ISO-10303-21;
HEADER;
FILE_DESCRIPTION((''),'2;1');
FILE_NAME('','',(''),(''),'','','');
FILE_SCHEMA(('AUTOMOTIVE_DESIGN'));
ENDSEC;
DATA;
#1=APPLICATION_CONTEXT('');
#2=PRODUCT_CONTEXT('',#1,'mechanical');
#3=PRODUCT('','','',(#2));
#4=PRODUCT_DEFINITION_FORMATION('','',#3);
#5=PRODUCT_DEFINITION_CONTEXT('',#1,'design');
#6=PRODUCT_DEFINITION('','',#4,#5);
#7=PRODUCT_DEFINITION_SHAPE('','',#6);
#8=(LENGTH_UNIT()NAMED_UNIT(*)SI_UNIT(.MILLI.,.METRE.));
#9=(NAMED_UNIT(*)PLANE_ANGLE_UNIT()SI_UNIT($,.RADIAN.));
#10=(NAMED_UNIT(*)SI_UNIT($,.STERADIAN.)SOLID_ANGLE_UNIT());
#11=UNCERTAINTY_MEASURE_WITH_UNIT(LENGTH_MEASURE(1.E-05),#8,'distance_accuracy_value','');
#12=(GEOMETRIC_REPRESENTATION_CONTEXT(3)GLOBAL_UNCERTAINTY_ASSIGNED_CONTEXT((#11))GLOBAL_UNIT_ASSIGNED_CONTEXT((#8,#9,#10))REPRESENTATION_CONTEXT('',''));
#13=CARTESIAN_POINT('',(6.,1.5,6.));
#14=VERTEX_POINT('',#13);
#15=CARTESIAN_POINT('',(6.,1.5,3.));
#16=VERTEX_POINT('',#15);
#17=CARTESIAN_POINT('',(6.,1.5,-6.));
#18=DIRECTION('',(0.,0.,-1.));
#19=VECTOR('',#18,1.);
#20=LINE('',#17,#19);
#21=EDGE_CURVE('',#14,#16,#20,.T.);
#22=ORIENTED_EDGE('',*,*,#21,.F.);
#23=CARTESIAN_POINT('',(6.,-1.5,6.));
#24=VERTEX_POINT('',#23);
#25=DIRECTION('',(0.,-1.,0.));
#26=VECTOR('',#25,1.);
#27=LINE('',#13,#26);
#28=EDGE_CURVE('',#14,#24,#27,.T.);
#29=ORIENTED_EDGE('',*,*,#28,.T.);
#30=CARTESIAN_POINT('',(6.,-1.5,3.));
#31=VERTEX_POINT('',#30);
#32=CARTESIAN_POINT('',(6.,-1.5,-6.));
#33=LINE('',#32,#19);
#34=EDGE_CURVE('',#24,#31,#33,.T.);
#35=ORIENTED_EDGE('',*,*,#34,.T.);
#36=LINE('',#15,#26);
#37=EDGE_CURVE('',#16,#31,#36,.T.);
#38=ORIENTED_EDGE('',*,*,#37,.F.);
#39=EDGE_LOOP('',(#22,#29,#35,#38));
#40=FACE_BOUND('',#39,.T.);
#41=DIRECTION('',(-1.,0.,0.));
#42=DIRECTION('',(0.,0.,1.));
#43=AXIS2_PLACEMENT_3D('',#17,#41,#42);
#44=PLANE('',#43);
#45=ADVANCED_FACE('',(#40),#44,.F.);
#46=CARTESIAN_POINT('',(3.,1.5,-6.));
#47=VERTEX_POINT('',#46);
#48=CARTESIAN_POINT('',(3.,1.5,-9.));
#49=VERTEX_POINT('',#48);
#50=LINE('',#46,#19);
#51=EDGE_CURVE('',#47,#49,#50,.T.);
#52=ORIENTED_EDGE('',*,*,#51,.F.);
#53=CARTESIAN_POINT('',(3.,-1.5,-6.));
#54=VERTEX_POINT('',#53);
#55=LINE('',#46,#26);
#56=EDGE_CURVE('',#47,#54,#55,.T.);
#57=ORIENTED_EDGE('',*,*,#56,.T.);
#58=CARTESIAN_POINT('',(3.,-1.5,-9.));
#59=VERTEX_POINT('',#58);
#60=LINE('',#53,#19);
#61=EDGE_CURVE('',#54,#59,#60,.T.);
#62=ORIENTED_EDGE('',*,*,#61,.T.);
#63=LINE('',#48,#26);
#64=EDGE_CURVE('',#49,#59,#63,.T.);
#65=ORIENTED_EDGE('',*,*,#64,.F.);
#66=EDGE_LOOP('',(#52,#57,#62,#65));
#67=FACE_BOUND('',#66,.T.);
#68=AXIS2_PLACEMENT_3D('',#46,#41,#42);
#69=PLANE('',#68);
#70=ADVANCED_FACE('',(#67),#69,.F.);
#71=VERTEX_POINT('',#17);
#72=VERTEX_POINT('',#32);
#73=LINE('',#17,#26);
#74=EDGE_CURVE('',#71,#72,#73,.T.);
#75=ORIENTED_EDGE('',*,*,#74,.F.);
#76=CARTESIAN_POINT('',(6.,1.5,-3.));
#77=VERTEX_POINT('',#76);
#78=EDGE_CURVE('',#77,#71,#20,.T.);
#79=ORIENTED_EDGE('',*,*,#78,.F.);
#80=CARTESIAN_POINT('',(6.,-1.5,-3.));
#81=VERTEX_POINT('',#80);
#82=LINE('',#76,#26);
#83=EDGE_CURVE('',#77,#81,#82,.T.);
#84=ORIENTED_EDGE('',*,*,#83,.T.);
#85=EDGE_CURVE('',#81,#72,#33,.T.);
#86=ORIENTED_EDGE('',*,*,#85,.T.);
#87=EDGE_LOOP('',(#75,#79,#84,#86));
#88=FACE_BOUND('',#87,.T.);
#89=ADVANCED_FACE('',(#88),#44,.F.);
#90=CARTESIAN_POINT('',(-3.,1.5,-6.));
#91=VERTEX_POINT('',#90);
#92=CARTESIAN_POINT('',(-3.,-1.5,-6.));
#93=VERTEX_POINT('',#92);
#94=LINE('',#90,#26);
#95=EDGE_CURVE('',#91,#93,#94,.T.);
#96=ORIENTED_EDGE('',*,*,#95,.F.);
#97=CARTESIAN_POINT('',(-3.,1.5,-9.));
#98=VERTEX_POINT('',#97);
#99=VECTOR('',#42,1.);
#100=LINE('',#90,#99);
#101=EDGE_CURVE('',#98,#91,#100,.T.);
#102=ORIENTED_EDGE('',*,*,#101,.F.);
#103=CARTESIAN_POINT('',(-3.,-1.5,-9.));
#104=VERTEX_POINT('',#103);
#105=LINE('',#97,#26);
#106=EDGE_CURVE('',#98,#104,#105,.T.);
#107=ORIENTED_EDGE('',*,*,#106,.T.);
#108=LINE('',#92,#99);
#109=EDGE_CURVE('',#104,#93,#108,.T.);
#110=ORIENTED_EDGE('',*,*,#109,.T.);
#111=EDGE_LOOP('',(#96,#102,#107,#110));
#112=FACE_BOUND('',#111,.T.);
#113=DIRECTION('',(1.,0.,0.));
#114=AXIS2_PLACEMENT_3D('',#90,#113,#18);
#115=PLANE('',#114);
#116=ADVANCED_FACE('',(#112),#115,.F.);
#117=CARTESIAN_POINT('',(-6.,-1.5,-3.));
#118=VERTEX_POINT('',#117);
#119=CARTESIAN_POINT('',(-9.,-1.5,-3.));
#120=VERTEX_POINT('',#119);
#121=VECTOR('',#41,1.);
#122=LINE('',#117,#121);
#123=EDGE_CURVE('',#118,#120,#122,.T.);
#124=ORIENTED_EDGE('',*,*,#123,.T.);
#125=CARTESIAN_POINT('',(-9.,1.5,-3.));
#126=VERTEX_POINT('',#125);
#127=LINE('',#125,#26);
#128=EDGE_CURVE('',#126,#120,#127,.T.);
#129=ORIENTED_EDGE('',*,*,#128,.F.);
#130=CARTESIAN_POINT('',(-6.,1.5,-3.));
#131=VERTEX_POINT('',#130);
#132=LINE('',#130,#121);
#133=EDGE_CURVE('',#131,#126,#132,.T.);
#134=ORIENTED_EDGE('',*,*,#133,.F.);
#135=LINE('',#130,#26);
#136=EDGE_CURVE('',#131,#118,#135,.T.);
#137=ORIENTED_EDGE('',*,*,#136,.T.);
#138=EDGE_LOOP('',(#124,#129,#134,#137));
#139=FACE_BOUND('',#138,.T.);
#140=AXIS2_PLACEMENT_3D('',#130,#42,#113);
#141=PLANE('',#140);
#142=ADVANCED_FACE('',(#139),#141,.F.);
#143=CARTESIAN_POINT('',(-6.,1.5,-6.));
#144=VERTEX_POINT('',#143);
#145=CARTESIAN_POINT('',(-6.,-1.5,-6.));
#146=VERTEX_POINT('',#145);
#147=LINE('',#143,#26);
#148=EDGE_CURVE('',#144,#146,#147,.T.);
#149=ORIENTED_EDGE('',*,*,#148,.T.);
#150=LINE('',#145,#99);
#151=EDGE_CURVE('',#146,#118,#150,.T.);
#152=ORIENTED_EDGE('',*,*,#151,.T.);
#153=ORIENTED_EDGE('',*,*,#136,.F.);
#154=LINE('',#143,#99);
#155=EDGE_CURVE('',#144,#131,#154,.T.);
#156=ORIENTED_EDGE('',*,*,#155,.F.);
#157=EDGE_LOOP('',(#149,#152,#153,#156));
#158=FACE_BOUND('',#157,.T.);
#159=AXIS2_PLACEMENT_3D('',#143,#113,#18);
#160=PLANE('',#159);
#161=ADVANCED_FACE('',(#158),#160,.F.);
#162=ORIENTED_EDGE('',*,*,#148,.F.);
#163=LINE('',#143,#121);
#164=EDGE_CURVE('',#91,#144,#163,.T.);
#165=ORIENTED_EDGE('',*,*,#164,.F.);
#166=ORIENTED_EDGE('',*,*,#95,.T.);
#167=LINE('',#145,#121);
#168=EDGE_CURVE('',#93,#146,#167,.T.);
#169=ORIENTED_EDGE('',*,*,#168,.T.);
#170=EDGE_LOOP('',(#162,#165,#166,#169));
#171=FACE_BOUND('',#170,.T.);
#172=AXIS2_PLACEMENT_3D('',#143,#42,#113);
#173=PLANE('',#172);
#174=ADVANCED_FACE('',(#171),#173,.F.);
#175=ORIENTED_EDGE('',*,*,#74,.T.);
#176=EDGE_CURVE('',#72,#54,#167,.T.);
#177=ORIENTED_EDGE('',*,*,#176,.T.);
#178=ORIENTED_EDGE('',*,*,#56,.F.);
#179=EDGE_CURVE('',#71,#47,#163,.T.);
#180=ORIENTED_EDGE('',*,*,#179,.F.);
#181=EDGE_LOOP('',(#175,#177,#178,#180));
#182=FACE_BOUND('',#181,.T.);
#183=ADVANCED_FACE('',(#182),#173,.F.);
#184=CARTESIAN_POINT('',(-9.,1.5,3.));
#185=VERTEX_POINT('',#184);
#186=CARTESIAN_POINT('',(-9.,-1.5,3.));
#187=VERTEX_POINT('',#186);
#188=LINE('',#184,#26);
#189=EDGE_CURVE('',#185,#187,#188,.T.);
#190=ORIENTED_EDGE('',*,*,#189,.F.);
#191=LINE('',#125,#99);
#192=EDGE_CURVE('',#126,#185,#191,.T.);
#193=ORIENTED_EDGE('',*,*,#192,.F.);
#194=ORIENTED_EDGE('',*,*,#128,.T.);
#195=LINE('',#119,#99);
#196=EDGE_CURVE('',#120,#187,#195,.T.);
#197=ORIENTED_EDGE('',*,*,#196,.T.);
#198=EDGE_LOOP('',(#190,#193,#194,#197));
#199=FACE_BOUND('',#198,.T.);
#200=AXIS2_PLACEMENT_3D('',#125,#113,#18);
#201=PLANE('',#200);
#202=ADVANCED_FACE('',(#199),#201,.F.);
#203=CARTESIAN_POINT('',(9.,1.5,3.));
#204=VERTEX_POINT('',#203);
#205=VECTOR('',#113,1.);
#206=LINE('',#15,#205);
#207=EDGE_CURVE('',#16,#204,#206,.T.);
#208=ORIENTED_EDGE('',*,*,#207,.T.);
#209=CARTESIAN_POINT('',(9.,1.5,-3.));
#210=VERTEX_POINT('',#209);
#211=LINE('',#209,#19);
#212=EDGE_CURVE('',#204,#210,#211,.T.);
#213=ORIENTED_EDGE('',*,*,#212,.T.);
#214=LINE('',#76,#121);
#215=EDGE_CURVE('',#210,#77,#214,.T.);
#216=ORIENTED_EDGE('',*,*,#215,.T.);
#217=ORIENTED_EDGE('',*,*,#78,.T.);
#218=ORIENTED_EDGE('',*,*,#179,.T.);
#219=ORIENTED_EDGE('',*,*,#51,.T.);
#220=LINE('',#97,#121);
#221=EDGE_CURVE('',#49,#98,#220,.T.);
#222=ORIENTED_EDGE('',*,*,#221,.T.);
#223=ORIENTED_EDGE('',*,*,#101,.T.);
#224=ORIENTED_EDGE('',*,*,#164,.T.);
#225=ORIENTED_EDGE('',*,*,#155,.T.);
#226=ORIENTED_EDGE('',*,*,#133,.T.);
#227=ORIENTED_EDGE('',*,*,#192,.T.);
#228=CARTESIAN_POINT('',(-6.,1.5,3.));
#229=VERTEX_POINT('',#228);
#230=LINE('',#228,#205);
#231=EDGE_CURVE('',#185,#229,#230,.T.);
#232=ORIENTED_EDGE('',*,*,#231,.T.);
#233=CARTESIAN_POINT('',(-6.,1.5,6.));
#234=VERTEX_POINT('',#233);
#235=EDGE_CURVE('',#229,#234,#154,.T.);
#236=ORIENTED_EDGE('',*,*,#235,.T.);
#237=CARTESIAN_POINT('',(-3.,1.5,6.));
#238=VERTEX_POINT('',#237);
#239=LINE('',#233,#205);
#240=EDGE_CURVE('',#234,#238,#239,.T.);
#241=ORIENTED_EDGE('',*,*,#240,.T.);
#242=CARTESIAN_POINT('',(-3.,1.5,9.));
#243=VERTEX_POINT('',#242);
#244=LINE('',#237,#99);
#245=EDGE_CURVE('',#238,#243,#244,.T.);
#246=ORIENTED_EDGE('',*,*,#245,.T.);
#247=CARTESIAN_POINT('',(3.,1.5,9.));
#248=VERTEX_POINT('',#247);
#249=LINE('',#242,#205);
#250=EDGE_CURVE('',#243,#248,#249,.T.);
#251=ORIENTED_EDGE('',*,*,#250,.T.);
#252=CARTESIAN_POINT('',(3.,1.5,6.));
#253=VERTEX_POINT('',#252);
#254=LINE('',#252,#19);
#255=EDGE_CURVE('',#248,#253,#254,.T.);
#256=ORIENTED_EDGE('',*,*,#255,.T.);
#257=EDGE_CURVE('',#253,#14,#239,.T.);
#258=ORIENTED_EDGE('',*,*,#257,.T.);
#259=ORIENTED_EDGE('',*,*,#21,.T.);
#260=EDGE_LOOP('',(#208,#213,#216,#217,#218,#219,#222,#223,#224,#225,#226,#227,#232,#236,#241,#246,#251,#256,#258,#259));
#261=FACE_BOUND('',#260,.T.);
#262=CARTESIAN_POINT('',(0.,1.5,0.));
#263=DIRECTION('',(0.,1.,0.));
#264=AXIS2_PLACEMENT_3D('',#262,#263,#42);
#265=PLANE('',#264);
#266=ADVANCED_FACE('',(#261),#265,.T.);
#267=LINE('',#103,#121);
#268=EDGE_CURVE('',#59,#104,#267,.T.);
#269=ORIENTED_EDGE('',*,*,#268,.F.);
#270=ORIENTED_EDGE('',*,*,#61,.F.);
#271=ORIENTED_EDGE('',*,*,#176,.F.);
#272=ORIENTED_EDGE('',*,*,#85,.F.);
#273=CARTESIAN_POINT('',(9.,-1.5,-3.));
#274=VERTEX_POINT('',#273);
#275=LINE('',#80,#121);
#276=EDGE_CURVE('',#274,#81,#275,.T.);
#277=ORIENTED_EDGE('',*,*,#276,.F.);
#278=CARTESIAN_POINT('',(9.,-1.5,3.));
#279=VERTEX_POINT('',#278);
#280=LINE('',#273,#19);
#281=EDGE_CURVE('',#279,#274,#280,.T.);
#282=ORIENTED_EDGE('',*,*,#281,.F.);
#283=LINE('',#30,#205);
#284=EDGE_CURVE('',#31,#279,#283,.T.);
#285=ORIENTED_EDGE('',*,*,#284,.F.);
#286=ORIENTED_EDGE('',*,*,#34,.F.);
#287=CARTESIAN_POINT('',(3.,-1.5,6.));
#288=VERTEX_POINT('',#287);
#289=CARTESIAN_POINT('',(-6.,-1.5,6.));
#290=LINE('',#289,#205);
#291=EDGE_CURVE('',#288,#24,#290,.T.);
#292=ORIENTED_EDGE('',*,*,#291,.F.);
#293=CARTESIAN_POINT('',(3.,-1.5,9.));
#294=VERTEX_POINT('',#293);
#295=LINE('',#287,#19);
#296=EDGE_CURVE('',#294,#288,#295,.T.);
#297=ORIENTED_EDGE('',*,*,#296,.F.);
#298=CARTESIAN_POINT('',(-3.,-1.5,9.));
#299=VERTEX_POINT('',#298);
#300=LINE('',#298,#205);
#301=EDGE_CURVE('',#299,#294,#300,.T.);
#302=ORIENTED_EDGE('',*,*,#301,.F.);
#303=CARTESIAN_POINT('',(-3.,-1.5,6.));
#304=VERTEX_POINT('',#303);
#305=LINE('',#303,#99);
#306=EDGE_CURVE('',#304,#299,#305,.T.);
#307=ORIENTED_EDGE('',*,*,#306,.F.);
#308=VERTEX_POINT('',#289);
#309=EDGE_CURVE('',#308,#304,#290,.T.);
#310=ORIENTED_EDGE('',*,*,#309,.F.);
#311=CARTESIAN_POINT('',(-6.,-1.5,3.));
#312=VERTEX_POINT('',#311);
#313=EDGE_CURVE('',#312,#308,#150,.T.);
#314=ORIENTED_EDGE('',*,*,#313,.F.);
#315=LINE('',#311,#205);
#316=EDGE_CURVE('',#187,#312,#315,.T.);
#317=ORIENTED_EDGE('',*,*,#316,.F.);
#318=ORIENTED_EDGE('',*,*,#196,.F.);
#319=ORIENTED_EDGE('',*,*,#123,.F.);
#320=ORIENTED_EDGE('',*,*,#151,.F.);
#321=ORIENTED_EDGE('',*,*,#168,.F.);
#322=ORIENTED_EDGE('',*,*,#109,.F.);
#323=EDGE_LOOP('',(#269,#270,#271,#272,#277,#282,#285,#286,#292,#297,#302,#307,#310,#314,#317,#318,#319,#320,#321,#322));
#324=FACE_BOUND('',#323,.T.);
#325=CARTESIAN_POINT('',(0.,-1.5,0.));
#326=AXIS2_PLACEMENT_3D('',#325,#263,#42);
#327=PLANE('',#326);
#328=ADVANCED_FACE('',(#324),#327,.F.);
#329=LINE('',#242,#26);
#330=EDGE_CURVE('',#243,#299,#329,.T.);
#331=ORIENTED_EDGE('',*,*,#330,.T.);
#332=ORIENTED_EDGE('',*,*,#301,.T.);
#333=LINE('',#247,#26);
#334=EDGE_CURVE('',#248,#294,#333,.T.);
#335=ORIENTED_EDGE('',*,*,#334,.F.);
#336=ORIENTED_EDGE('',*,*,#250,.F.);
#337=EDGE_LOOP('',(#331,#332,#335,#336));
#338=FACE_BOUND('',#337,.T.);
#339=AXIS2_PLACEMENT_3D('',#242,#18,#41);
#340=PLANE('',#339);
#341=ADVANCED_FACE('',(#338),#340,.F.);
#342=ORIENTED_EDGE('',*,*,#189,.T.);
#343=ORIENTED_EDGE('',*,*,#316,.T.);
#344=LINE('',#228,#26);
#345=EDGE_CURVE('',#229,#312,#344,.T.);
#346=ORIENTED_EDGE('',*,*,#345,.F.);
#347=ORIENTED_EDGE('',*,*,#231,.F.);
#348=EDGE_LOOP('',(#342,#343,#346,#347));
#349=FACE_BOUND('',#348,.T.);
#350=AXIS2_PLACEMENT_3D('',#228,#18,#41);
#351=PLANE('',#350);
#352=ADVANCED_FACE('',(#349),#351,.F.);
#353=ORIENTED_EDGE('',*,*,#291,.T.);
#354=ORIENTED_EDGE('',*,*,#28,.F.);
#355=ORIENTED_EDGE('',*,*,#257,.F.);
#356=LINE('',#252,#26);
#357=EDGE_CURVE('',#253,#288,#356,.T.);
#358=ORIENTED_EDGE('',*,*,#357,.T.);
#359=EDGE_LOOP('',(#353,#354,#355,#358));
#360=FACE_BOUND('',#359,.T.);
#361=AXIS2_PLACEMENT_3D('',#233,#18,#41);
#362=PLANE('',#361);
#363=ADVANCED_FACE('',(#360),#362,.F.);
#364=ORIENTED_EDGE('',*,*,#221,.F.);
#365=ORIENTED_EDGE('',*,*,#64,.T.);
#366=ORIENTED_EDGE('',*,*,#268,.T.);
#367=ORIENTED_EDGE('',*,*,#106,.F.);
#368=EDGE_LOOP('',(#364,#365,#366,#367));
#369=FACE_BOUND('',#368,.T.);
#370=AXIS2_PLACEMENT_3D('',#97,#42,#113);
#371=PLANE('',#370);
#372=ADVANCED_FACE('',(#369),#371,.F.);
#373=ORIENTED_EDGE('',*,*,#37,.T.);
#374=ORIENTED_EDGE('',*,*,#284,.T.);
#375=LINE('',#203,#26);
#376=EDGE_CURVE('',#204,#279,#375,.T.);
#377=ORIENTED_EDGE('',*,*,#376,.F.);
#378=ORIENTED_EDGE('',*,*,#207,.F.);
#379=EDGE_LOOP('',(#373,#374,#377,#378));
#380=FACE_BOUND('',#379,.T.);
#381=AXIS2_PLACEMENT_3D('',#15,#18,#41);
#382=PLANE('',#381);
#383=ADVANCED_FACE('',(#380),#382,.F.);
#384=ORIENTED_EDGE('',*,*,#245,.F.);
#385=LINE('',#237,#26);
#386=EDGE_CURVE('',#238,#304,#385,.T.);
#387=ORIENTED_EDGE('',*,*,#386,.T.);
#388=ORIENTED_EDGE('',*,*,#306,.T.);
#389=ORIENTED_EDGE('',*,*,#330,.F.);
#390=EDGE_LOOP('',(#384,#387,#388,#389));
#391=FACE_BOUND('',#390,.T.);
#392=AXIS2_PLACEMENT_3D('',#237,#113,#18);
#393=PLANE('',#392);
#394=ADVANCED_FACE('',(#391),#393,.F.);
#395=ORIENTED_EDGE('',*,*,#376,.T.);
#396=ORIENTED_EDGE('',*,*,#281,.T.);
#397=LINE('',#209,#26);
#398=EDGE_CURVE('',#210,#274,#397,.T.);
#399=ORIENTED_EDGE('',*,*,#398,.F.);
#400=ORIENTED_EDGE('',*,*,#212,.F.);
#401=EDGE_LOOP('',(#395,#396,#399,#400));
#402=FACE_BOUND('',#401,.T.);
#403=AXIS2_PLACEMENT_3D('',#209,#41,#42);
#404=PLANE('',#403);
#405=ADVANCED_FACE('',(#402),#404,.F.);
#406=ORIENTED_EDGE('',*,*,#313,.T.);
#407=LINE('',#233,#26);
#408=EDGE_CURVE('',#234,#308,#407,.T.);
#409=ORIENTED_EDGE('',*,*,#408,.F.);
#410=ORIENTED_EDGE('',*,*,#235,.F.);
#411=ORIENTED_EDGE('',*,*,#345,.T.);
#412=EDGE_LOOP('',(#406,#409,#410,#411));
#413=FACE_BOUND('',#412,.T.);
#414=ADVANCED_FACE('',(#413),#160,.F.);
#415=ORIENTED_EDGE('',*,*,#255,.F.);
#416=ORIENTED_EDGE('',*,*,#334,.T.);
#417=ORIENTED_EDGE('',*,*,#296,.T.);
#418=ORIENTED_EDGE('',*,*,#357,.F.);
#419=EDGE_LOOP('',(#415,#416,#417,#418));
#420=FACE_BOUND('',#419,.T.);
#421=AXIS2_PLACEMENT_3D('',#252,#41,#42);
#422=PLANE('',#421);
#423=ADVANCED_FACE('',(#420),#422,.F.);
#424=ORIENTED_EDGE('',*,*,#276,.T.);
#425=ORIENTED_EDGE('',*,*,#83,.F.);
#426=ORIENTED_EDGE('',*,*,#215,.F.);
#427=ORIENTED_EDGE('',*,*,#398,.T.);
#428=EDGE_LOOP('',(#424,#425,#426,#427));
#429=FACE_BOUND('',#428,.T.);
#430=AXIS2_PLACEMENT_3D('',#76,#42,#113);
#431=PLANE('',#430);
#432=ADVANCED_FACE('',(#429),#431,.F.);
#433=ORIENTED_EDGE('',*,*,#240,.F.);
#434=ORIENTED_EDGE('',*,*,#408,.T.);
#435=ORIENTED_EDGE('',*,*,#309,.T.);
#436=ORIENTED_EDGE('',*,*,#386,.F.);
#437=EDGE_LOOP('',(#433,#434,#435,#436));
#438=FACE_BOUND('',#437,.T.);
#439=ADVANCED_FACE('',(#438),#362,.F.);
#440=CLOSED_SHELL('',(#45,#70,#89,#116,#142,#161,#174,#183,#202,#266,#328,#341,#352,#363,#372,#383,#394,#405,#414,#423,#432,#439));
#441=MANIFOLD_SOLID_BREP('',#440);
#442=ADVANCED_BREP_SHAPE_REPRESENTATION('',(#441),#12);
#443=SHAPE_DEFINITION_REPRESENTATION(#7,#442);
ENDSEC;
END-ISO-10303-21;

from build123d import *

# Parameters (mm, degrees)
SKETCH1_W           = 12
SKETCH1_H           = 12
BOSS_EXTRUDE1_DEPTH = 1.5
SKETCH2_W           = 6
SKETCH2_H           = 3
SKETCH2_W_2         = 3
SKETCH2_H_2         = 6
BOSS_EXTRUDE2_DEPTH = 1.5


with BuildPart() as part:
    # Sketch1 → Boss-Extrude1 (new body, symmetric)
    with BuildSketch(Plane(origin=(0, 0, 0), x_dir=(1, 0, 0), z_dir=(0, 1, 0))):
        Rectangle(SKETCH1_W, SKETCH1_H)
    extrude(amount=BOSS_EXTRUDE1_DEPTH, both=True)

    # Sketch2 → Boss-Extrude2 (add, symmetric)
    with BuildSketch(Plane(origin=(0, 0, 0), x_dir=(1, 0, 0), z_dir=(0, 1, 0))):
        with Locations((0, 7.5)):
            Rectangle(SKETCH2_W, SKETCH2_H)
        with Locations((0, -7.5)):
            Rectangle(SKETCH2_W, SKETCH2_H)
        with Locations((-7.5, 0)):
            Rectangle(SKETCH2_W_2, SKETCH2_H_2)
        with Locations((7.5, 0)):
            Rectangle(SKETCH2_W_2, SKETCH2_H_2)
    extrude(amount=BOSS_EXTRUDE2_DEPTH, both=True)


solid = part.part
